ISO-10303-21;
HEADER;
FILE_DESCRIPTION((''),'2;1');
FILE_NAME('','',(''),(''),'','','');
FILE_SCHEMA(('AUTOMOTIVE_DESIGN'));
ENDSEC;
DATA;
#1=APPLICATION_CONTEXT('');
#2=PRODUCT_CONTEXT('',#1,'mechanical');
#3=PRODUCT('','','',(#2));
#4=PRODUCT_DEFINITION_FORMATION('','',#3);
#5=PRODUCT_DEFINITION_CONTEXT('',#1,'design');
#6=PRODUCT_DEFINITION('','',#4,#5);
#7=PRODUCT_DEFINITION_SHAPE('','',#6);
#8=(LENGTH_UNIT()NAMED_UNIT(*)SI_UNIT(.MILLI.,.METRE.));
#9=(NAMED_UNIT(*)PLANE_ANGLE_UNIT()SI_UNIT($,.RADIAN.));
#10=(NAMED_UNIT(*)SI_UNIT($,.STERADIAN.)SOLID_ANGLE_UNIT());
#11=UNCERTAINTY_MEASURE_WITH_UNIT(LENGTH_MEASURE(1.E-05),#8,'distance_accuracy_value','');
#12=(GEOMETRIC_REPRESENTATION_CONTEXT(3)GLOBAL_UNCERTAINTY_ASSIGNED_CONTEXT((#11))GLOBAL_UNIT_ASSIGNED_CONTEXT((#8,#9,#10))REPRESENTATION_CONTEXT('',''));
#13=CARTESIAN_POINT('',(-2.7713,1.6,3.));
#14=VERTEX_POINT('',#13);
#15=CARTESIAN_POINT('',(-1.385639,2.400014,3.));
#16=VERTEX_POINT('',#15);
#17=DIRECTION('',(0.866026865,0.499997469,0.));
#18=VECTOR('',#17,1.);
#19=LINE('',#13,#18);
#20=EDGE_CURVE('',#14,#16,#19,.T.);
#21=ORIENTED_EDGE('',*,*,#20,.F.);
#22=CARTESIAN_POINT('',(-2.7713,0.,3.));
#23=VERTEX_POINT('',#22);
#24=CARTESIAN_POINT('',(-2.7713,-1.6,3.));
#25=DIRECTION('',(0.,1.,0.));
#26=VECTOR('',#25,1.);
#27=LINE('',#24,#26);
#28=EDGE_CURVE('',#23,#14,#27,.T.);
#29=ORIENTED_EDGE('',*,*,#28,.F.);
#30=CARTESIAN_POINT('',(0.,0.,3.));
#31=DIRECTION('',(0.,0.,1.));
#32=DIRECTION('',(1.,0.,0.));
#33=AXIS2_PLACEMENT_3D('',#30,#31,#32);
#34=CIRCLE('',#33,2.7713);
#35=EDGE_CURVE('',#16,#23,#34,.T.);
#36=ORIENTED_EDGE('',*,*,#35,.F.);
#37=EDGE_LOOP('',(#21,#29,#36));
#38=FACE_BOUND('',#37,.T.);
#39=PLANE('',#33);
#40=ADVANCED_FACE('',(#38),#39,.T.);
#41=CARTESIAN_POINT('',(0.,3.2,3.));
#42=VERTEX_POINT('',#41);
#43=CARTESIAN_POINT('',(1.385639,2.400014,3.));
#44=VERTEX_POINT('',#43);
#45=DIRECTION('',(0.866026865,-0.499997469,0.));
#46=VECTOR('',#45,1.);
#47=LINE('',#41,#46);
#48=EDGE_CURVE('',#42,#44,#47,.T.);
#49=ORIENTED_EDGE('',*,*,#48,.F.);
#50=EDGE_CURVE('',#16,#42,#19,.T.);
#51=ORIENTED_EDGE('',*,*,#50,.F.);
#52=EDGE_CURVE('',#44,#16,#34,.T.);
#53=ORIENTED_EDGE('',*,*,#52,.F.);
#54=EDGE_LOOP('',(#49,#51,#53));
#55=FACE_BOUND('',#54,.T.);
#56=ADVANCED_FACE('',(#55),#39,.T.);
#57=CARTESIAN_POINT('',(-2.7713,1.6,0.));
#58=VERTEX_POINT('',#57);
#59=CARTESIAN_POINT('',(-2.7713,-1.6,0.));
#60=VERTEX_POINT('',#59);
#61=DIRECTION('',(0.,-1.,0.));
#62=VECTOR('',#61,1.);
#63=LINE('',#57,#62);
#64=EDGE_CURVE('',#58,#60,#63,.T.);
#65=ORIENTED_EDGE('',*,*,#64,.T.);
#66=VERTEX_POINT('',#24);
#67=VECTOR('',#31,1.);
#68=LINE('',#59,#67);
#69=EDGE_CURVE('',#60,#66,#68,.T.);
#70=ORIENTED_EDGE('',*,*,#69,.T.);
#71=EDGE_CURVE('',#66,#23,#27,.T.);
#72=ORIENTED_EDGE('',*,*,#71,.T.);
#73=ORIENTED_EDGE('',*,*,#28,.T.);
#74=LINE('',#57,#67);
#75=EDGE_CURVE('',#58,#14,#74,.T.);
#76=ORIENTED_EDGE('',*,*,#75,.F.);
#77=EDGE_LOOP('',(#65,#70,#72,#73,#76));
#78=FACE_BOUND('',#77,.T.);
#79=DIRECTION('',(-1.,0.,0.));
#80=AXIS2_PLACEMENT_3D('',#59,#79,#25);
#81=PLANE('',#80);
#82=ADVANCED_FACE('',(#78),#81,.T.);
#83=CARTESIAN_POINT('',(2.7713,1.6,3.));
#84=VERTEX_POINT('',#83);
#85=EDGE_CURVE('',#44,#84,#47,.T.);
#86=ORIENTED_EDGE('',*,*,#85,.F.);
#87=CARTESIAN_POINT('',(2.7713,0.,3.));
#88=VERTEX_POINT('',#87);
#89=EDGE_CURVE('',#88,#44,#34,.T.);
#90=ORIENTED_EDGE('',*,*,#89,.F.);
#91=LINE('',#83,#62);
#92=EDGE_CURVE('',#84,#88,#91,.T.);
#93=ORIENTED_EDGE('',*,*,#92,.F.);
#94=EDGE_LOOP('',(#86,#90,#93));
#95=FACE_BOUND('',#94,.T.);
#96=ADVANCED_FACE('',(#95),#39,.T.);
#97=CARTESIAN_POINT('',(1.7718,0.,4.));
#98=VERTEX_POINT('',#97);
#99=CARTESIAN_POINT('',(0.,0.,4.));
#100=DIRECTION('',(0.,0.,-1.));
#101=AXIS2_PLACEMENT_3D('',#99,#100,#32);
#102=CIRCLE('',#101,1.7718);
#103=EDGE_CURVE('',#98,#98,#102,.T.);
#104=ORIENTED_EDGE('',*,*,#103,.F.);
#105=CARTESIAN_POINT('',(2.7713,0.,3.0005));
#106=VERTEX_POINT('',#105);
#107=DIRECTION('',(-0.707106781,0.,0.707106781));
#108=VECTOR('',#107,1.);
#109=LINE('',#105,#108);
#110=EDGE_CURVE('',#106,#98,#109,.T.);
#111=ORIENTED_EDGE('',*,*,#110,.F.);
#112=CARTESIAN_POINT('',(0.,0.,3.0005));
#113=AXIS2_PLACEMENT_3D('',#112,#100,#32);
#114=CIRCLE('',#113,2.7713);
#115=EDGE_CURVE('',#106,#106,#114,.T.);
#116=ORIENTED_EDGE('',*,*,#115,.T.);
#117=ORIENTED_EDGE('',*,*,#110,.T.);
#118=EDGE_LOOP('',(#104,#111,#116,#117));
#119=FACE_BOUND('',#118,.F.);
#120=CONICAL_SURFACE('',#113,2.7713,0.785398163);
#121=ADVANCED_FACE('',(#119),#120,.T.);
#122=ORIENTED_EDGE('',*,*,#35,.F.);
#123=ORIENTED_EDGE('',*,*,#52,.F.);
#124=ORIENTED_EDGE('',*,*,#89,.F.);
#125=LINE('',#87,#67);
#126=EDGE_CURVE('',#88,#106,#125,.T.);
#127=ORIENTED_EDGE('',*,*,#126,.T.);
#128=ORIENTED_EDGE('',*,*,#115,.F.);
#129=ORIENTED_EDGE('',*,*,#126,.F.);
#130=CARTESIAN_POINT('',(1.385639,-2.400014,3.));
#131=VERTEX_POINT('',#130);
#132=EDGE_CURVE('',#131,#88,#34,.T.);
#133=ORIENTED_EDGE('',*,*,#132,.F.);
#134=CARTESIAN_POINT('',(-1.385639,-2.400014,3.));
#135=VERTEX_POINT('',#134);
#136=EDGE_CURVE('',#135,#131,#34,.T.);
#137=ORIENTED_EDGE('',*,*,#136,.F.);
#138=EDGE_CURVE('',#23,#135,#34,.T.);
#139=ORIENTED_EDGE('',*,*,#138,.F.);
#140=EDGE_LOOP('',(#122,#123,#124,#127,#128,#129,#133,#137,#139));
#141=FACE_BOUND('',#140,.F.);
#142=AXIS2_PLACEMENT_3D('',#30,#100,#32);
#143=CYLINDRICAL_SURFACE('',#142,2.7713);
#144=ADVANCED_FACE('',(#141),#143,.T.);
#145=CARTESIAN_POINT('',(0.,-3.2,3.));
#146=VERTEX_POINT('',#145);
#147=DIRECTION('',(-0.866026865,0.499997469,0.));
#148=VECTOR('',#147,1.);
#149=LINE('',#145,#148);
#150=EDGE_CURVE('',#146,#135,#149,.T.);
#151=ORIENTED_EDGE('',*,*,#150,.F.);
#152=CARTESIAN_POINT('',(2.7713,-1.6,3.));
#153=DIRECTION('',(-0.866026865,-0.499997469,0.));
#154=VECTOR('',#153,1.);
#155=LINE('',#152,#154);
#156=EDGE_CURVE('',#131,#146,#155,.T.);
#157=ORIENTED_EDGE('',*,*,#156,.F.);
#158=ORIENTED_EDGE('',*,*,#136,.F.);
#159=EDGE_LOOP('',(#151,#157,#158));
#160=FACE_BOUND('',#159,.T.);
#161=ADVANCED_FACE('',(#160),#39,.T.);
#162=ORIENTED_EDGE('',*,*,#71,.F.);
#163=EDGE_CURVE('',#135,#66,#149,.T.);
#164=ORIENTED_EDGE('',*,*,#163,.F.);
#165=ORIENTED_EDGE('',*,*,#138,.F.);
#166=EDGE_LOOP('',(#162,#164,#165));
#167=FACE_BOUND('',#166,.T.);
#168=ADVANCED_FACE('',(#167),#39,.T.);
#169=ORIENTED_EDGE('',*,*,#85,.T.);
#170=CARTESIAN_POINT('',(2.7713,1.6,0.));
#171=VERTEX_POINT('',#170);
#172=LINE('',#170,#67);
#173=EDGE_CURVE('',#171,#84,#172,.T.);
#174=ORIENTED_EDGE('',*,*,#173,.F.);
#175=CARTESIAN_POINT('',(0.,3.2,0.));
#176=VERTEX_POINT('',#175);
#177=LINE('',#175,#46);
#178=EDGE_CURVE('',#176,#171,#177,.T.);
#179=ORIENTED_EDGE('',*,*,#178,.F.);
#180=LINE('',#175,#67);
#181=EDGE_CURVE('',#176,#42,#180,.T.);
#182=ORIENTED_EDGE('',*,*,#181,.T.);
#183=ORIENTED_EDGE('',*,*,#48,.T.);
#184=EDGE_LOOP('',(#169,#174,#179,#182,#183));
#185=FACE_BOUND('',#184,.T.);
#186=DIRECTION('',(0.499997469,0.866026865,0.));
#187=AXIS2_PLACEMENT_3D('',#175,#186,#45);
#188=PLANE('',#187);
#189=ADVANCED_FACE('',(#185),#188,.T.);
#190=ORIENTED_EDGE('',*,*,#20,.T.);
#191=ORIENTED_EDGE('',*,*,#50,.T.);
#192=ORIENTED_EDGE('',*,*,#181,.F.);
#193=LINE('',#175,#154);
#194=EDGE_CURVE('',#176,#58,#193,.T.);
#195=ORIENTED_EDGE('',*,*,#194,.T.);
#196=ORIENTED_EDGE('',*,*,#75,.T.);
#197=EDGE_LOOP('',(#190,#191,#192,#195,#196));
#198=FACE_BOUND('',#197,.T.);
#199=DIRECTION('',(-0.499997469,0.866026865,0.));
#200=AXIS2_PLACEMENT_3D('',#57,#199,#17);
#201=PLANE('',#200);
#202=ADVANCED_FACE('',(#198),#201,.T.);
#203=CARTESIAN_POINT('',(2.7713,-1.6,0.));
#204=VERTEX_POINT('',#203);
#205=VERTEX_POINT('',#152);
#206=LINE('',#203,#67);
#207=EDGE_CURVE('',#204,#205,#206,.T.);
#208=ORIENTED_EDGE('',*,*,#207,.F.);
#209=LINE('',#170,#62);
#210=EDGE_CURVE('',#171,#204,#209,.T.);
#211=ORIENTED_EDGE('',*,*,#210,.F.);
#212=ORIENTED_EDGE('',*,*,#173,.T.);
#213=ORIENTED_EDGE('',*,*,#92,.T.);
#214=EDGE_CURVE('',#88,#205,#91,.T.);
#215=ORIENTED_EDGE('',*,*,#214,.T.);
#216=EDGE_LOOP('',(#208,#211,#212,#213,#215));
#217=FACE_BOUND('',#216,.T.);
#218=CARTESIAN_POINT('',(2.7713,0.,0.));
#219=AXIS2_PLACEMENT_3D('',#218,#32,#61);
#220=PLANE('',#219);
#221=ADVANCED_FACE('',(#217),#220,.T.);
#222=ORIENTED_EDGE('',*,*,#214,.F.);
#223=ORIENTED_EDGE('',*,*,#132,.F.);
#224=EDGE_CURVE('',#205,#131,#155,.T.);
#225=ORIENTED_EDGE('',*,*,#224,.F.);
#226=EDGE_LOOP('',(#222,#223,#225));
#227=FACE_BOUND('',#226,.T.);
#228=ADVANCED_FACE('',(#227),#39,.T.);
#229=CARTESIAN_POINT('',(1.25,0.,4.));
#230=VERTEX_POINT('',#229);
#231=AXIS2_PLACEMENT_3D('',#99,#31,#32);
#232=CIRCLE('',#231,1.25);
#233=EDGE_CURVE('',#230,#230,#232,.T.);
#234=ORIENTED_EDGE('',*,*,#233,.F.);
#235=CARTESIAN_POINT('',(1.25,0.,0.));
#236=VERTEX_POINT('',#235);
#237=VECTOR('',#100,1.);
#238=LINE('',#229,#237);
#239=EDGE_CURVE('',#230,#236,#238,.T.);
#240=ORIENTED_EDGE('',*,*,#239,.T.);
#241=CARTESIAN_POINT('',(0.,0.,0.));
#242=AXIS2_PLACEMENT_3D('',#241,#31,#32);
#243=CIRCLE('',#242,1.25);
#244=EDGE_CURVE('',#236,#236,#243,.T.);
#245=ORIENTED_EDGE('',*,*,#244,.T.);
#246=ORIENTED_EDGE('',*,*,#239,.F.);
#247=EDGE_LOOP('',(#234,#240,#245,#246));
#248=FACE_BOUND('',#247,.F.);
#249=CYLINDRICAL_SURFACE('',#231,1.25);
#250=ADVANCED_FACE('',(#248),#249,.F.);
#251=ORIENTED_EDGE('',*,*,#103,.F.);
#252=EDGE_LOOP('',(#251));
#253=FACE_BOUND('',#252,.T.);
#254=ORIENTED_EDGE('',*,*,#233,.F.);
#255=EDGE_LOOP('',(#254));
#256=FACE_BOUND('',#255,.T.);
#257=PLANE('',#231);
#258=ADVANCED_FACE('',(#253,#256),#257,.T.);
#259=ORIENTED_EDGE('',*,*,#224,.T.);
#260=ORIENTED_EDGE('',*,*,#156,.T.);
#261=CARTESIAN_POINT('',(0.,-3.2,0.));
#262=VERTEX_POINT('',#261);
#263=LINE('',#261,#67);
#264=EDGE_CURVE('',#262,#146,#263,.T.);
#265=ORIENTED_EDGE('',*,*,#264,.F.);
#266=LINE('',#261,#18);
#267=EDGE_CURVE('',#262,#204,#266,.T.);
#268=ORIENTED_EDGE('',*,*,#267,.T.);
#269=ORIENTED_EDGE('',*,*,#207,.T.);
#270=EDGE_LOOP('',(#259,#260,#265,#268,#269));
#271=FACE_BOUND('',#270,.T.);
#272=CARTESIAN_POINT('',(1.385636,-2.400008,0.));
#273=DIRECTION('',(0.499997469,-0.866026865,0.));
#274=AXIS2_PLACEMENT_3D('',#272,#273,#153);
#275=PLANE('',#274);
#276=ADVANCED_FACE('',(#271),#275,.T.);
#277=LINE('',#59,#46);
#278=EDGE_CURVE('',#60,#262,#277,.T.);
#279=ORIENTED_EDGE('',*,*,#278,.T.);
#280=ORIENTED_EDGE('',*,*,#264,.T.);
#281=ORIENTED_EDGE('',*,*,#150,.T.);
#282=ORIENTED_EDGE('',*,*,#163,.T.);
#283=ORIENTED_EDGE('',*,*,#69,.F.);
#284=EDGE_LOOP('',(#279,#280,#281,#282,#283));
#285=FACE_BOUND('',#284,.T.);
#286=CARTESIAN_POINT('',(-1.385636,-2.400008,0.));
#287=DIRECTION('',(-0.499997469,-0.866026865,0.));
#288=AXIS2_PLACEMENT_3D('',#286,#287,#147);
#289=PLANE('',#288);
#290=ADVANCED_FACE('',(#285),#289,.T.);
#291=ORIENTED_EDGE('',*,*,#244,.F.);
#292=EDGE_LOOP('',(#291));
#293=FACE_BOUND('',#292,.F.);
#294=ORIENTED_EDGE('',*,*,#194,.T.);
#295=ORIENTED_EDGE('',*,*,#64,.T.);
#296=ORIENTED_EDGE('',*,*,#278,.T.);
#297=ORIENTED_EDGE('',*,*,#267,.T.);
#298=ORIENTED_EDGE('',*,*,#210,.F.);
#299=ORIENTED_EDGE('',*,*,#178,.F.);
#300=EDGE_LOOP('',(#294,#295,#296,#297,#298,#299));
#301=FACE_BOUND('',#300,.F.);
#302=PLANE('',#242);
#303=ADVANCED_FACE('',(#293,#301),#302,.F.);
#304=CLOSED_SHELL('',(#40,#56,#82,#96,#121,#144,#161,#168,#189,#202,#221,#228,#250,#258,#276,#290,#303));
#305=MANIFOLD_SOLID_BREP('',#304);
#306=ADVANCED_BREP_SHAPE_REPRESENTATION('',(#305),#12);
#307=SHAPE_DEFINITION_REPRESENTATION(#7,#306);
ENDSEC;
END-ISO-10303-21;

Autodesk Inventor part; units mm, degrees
ref_plane "YZ Plane" through (0, 0, 0) normal (1, 0, 0) x (0, 1, 0)
ref_plane "XZ Plane" through (0, 0, 0) normal (0, 1, 0) x (-1, 0, 0)
ref_plane "XY Plane" through (0, 0, 0) normal (0, 0, 1) x (1, 0, 0)
sketch "スケッチ1" plane through (0, 0, 0) normal (0, 0, 1) x (1, 0, 0)
  line L0 (0, -3.2) -> (-2.7713, -1.6)
  line L1 (-2.7713, -1.6) -> (-2.7713, 1.6)
  line L2 (-2.7713, 1.6) -> (0, 3.2)
  line L3 (0, 3.2) -> (2.7713, 1.6)
  line L4 (2.7713, 1.6) -> (2.7713, -1.6)
  line L5 (2.7713, -1.6) -> (0, -3.2)
  circle A0 centre (0, 0) radius 2.7713
  dimension "d0" = 6.4
extrude "押し出し1" add sketch "スケッチ1" along normal blind 3
sketch "スケッチ2" plane through (0, 0, 3) normal (0, 0, 1) x (1, 0, 0)
  line L0 (-2.7713, -1.6) -> (0, -3.2) projected
  line L1 (0, -3.2) -> (2.7713, -1.6) projected
  line L2 (2.7713, -1.6) -> (2.7713, 1.6) projected
  line L3 (2.7713, 1.6) -> (0, 3.2) projected
  line L4 (0, 3.2) -> (-2.7713, 1.6) projected
  line L5 (-2.7713, 1.6) -> (-2.7713, -1.6) projected
  circle A0 centre (0, 0) radius 2.7713
extrude "押し出し2" add sketch "スケッチ2" along normal blind 1 contours A0
chamfer "面取り1" distance 1 angle 45 1 edges at (-2.7713, 0, 4)
sketch "スケッチ3" plane through (0, 0, 4) normal (0, 0, 1) x (1, 0, 0)
  circle A0 centre (0, 0) radius 1.7713 projected
  circle A1 centre (0, 0) radius 1.25
  dimension "d8" = 2.5
extrude "押し出し3" cut sketch "スケッチ3" against normal blind 4 contours A1
thread "ねじ1" size "M2.5x0.45" class "6H" standard "ANSI Metric M Profile" full length
properties part number "ナイロンナット" material "アルミニウム"
